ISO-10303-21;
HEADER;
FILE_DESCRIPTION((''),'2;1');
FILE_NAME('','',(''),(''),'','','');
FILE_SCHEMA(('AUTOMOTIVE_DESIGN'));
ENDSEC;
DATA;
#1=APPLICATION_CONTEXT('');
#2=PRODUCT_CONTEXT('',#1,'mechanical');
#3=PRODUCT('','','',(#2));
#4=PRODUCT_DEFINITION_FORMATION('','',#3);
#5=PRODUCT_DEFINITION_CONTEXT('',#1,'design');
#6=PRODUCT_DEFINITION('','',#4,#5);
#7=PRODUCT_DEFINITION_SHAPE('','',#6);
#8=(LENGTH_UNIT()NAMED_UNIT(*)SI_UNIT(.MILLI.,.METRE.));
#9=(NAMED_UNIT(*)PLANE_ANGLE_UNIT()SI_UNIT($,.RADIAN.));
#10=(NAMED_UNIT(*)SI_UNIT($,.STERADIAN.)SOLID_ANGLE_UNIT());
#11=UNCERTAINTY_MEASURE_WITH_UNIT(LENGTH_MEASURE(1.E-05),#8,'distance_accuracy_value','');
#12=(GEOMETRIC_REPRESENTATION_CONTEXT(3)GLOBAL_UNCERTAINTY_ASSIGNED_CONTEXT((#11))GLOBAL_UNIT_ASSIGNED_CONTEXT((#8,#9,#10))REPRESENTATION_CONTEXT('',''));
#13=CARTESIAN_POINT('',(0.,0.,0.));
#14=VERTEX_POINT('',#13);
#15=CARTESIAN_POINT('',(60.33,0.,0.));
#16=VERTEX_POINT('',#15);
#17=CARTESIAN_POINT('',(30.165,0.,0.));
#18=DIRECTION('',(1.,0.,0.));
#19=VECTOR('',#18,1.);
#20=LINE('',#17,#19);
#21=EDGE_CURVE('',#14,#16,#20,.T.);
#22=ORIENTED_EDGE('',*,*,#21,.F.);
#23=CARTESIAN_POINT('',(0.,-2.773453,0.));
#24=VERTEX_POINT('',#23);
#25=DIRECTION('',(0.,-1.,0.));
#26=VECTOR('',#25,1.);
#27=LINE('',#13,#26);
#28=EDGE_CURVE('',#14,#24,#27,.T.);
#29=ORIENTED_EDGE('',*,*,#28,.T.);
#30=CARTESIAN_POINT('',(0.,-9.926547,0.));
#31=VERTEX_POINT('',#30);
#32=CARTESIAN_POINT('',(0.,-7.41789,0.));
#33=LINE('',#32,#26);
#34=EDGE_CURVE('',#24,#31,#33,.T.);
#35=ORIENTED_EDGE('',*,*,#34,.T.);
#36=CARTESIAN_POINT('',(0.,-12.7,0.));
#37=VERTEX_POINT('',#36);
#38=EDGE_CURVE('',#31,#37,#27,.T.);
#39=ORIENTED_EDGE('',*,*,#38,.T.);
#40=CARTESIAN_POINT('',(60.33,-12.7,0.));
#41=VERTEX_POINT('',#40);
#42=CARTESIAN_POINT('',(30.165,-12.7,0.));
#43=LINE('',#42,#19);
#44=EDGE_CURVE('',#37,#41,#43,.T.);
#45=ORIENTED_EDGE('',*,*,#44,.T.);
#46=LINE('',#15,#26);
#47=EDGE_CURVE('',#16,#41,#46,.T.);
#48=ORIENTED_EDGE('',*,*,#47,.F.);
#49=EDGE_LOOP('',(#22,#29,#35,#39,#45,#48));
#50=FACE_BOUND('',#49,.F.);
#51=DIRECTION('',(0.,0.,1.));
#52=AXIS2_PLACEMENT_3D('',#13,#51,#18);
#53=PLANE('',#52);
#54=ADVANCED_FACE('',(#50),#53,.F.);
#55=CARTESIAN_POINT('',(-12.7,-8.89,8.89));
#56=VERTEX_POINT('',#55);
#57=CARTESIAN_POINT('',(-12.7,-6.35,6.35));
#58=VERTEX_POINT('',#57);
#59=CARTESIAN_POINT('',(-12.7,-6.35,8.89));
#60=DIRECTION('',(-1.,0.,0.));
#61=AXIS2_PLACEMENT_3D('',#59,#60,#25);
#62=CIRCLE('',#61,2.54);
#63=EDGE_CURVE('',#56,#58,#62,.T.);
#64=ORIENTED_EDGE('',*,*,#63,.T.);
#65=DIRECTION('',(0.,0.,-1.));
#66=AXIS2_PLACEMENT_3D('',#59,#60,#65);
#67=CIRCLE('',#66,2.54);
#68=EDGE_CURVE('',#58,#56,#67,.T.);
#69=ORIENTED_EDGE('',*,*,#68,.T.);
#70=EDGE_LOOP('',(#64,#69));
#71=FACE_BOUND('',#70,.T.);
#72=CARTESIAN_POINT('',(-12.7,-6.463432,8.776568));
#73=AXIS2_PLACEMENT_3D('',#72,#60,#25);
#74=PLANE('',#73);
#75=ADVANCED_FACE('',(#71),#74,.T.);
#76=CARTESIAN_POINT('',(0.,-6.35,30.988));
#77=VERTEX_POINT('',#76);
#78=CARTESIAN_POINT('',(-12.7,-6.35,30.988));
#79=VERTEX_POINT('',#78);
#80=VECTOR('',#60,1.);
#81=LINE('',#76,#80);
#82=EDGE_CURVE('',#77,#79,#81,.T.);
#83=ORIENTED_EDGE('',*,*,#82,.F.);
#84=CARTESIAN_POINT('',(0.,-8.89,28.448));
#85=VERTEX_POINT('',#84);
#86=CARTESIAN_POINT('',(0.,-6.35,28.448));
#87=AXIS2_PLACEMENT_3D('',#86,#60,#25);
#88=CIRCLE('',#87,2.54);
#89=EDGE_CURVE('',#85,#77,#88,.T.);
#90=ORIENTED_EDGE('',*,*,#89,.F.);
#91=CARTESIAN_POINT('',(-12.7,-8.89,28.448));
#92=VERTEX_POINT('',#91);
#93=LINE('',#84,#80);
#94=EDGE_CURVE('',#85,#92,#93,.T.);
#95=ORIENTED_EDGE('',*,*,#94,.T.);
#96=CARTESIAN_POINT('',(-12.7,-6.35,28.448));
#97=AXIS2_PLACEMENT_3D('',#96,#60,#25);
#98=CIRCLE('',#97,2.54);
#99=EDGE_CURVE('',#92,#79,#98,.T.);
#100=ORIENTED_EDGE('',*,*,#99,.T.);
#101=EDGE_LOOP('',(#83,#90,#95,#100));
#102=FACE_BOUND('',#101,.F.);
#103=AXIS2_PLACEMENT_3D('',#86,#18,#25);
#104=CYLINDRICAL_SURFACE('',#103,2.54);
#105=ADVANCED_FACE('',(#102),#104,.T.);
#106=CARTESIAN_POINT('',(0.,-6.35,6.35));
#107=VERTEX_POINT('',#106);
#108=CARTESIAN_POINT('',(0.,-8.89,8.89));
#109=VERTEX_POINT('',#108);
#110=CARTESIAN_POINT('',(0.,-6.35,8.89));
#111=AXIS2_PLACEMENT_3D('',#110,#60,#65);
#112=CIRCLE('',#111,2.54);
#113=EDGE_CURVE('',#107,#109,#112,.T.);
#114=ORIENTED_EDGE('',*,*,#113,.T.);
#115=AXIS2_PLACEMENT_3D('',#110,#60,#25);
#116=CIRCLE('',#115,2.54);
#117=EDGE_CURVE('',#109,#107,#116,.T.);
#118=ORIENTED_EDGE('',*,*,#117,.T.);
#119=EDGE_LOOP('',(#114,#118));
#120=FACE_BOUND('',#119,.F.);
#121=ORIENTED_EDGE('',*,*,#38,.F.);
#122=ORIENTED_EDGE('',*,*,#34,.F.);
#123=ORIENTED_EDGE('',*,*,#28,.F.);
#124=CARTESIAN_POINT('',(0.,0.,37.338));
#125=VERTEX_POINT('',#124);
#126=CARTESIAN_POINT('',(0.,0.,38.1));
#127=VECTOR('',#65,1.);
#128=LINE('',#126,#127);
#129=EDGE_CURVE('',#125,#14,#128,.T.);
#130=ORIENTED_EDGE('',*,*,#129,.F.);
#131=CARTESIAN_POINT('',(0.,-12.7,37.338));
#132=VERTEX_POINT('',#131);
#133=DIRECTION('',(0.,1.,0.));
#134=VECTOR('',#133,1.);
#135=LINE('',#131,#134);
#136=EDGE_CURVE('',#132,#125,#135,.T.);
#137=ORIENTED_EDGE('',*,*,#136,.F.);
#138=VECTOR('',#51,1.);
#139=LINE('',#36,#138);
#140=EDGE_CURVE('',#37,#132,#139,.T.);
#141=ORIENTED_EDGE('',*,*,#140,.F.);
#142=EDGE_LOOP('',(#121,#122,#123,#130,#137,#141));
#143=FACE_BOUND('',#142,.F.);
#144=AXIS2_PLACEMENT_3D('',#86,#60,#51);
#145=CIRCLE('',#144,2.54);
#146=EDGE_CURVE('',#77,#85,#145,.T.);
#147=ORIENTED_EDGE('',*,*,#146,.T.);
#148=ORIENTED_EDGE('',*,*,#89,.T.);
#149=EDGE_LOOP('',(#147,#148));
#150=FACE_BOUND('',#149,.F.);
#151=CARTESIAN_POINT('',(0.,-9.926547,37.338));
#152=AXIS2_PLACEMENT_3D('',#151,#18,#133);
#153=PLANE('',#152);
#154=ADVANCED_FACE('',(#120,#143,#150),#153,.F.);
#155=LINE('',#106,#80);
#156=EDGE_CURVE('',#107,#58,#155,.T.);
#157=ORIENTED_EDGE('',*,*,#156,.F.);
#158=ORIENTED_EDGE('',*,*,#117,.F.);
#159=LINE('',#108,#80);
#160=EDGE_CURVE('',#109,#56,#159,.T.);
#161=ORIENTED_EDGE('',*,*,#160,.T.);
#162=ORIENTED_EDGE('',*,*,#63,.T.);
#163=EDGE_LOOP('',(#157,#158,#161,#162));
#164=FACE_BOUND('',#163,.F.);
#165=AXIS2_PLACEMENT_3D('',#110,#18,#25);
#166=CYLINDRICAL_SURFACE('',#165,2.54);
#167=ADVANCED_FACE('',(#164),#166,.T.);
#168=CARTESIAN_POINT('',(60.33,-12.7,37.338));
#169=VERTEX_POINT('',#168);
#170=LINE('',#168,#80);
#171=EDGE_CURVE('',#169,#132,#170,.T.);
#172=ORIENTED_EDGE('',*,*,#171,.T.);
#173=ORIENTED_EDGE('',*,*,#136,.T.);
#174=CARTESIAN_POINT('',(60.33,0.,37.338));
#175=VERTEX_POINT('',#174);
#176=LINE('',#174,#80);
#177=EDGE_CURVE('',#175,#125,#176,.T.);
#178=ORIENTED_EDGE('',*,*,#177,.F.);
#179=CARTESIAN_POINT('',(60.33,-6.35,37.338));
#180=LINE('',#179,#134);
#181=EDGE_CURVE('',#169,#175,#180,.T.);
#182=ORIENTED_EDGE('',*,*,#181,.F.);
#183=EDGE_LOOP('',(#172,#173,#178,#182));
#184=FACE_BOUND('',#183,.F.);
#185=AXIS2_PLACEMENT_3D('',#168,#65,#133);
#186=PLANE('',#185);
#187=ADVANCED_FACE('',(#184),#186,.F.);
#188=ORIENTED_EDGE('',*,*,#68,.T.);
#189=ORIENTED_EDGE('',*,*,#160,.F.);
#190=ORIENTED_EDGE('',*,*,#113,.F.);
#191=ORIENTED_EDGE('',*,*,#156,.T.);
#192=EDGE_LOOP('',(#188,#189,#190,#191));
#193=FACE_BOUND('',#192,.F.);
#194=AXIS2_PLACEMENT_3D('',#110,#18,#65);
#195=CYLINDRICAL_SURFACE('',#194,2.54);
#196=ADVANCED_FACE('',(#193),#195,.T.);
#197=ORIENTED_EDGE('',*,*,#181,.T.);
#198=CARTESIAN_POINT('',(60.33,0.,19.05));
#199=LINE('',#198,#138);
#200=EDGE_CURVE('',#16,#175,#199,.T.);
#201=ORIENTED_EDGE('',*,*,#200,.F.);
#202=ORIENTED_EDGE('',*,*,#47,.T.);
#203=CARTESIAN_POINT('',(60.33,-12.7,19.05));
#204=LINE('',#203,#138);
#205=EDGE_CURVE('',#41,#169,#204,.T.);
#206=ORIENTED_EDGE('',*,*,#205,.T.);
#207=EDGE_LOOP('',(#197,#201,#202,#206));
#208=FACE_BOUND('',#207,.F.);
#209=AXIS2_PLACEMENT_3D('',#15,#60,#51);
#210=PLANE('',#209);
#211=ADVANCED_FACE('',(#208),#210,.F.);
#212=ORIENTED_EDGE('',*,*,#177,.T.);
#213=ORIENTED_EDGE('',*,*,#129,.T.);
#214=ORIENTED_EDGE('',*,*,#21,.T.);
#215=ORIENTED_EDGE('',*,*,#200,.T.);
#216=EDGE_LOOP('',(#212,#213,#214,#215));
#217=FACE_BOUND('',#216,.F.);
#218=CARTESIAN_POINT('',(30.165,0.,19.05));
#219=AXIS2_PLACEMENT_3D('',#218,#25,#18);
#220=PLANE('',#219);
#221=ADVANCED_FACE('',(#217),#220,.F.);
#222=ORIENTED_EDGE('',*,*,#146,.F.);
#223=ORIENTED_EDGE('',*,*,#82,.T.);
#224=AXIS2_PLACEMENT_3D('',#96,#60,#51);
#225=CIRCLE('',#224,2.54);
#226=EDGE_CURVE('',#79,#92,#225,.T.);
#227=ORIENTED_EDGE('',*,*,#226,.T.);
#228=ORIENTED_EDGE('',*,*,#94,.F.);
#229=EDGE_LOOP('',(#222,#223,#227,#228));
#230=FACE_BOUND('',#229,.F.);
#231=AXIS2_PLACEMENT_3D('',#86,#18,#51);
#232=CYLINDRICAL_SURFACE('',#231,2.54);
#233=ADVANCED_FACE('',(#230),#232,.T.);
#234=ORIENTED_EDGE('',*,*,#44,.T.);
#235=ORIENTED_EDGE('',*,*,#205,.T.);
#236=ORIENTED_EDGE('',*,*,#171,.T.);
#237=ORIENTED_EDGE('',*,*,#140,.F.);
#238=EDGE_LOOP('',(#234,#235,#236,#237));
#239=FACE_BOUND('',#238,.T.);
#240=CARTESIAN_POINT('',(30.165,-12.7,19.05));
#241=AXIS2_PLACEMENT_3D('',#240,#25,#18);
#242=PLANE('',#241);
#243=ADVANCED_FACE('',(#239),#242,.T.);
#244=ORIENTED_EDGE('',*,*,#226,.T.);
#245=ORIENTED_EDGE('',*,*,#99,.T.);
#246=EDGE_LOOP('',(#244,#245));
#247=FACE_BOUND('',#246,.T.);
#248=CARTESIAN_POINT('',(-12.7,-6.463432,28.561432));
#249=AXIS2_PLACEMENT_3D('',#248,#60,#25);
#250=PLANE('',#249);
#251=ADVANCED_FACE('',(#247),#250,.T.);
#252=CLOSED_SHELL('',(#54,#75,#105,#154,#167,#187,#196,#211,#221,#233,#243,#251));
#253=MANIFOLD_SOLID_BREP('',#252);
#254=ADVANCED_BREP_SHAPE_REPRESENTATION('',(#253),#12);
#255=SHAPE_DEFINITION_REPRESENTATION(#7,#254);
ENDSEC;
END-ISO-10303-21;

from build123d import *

# Parameters (mm, degrees)
F0_W      = 60.33
F0_H      = 38.1
F1_DEPTH  = 12.7
F3_DEPTH  = 38.1
F4_W      = 11.2605243921
F4_H      = 14.8357795551
F5_DEPTH  = 3.175
F6_W      = 12.7
F6_H      = 0.254
F7_DEPTH  = 101.6
F8_W      = 7.62
F8_H      = 0.6586039143
F11_W     = 5.8358858012
F11_H     = 2.5163960857
F12_DEPTH = 7.62
F13_W     = 12.7
F13_H     = 0.508
F14_DEPTH = 101.6
F16_DEPTH = 17.78
F18_DEPTH = 25.4
F20_DEPTH = 12.7


with BuildPart() as f1:
    # F0 (on Front) → F1 (new body)
    with BuildSketch(Plane.XZ):
        with Locations((30.165, 19.05)):
            Rectangle(F0_W, F0_H)
    extrude(amount=F1_DEPTH)

    # F2 (on face) → F3 (join)
    with BuildSketch(Plane.XY.offset(38.1)):
        Polygon((0, -2.7734531851), (-7.62, 0), (-7.62, -12.7), (0, -9.9265468149), align=None)
    extrude(amount=-F3_DEPTH)

    # F4 (on face) → F5 (cut)
    with BuildSketch(Plane(origin=(0, 0, 0), x_dir=(1, 0, 0), z_dir=(0, 0, -1))):
        with Locations((-5.6302621961, 7.4178897776)):
            Rectangle(F4_W, F4_H)
    extrude(amount=-F5_DEPTH, mode=Mode.SUBTRACT)

    # F6 (on face) → F7 (cut)
    with BuildSketch(Plane.YZ.offset(60.33)):
        with Locations((-6.35, 37.973)):
            Rectangle(F6_W, F6_H)
    extrude(amount=-F7_DEPTH, mode=Mode.SUBTRACT)

    # F10: sweep along a path in F9
    with BuildLine(Plane(origin=(0, 0, 0), x_dir=(0, -1, 0), z_dir=(-1, 0, 0))) as f10_path:
        Line((2.7734531851, 3.175), (2.7734531851, 0))
        Line((2.7734531851, 0), (9.9265468149, 0))
        Line((9.9265468149, 0), (9.9265468149, 3.175))
    # F8 (on face) → F10 (sweep)
    with BuildSketch(Plane(origin=(0, 0, 3.175), x_dir=(1, 0, 0), z_dir=(0, 0, -1))):
        with Locations((-3.81, 3.1027551423)):
            Rectangle(F8_W, F8_H)
        Polygon((-7.62, 0), (0, 2.7734531851), (-7.62, 2.7734531851), align=None)
    sweep(path=f10_path.line, transition=Transition.RIGHT)

    # F11 (on face) → F12 (join)
    with BuildSketch(Plane(origin=(-7.62, 0, 0), x_dir=(0, -1, 0), z_dir=(-1, 0, 0))):
        with Locations((6.35, 1.9168019572)):
            Rectangle(F11_W, F11_H)
    extrude(amount=-F12_DEPTH)

    # F13 (on face) → F14 (cut)
    with BuildSketch(Plane.YZ.offset(60.33)):
        with Locations((-6.35, 37.592)):
            Rectangle(F13_W, F13_H)
    extrude(amount=-F14_DEPTH, mode=Mode.SUBTRACT)

    # F15 (on face) → F16 (cut)
    with BuildSketch(Plane.XY.offset(37.338)):
        Polygon((0, -2.7734531851), (-7.62, 0), (-7.62, -12.7), (0, -9.9265468149), align=None)
    extrude(amount=-F16_DEPTH, mode=Mode.SUBTRACT)

    # F17 (on face) → F18 (cut)
    with BuildSketch(Plane.XY.offset(19.558)):
        Polygon((-7.62, 0), (-7.62, -12.7), (0, -9.9265468149), (0, -2.7734531851), align=None)
    extrude(amount=-F18_DEPTH, mode=Mode.SUBTRACT)

    # F19 (on face) → F20 (join)
    with BuildSketch(Plane(origin=(0, 0, 0), x_dir=(0, -1, 0), z_dir=(-1, 0, 0))):
        with BuildLine():
            ThreePointArc((8.89, 8.89), (4.5539487758, 10.6860512242), (6.35, 6.35))
            ThreePointArc((6.35, 6.35), (8.1460512242, 7.0939487758), (8.89, 8.89))
        make_face()
        with BuildLine():
            ThreePointArc((8.89, 28.448), (8.1460512242, 30.2440512242), (6.35, 30.988))
            ThreePointArc((6.35, 30.988), (4.5539487758, 26.6519487758), (8.89, 28.448))
        make_face()
    extrude(amount=F20_DEPTH)


solid = f1.part
